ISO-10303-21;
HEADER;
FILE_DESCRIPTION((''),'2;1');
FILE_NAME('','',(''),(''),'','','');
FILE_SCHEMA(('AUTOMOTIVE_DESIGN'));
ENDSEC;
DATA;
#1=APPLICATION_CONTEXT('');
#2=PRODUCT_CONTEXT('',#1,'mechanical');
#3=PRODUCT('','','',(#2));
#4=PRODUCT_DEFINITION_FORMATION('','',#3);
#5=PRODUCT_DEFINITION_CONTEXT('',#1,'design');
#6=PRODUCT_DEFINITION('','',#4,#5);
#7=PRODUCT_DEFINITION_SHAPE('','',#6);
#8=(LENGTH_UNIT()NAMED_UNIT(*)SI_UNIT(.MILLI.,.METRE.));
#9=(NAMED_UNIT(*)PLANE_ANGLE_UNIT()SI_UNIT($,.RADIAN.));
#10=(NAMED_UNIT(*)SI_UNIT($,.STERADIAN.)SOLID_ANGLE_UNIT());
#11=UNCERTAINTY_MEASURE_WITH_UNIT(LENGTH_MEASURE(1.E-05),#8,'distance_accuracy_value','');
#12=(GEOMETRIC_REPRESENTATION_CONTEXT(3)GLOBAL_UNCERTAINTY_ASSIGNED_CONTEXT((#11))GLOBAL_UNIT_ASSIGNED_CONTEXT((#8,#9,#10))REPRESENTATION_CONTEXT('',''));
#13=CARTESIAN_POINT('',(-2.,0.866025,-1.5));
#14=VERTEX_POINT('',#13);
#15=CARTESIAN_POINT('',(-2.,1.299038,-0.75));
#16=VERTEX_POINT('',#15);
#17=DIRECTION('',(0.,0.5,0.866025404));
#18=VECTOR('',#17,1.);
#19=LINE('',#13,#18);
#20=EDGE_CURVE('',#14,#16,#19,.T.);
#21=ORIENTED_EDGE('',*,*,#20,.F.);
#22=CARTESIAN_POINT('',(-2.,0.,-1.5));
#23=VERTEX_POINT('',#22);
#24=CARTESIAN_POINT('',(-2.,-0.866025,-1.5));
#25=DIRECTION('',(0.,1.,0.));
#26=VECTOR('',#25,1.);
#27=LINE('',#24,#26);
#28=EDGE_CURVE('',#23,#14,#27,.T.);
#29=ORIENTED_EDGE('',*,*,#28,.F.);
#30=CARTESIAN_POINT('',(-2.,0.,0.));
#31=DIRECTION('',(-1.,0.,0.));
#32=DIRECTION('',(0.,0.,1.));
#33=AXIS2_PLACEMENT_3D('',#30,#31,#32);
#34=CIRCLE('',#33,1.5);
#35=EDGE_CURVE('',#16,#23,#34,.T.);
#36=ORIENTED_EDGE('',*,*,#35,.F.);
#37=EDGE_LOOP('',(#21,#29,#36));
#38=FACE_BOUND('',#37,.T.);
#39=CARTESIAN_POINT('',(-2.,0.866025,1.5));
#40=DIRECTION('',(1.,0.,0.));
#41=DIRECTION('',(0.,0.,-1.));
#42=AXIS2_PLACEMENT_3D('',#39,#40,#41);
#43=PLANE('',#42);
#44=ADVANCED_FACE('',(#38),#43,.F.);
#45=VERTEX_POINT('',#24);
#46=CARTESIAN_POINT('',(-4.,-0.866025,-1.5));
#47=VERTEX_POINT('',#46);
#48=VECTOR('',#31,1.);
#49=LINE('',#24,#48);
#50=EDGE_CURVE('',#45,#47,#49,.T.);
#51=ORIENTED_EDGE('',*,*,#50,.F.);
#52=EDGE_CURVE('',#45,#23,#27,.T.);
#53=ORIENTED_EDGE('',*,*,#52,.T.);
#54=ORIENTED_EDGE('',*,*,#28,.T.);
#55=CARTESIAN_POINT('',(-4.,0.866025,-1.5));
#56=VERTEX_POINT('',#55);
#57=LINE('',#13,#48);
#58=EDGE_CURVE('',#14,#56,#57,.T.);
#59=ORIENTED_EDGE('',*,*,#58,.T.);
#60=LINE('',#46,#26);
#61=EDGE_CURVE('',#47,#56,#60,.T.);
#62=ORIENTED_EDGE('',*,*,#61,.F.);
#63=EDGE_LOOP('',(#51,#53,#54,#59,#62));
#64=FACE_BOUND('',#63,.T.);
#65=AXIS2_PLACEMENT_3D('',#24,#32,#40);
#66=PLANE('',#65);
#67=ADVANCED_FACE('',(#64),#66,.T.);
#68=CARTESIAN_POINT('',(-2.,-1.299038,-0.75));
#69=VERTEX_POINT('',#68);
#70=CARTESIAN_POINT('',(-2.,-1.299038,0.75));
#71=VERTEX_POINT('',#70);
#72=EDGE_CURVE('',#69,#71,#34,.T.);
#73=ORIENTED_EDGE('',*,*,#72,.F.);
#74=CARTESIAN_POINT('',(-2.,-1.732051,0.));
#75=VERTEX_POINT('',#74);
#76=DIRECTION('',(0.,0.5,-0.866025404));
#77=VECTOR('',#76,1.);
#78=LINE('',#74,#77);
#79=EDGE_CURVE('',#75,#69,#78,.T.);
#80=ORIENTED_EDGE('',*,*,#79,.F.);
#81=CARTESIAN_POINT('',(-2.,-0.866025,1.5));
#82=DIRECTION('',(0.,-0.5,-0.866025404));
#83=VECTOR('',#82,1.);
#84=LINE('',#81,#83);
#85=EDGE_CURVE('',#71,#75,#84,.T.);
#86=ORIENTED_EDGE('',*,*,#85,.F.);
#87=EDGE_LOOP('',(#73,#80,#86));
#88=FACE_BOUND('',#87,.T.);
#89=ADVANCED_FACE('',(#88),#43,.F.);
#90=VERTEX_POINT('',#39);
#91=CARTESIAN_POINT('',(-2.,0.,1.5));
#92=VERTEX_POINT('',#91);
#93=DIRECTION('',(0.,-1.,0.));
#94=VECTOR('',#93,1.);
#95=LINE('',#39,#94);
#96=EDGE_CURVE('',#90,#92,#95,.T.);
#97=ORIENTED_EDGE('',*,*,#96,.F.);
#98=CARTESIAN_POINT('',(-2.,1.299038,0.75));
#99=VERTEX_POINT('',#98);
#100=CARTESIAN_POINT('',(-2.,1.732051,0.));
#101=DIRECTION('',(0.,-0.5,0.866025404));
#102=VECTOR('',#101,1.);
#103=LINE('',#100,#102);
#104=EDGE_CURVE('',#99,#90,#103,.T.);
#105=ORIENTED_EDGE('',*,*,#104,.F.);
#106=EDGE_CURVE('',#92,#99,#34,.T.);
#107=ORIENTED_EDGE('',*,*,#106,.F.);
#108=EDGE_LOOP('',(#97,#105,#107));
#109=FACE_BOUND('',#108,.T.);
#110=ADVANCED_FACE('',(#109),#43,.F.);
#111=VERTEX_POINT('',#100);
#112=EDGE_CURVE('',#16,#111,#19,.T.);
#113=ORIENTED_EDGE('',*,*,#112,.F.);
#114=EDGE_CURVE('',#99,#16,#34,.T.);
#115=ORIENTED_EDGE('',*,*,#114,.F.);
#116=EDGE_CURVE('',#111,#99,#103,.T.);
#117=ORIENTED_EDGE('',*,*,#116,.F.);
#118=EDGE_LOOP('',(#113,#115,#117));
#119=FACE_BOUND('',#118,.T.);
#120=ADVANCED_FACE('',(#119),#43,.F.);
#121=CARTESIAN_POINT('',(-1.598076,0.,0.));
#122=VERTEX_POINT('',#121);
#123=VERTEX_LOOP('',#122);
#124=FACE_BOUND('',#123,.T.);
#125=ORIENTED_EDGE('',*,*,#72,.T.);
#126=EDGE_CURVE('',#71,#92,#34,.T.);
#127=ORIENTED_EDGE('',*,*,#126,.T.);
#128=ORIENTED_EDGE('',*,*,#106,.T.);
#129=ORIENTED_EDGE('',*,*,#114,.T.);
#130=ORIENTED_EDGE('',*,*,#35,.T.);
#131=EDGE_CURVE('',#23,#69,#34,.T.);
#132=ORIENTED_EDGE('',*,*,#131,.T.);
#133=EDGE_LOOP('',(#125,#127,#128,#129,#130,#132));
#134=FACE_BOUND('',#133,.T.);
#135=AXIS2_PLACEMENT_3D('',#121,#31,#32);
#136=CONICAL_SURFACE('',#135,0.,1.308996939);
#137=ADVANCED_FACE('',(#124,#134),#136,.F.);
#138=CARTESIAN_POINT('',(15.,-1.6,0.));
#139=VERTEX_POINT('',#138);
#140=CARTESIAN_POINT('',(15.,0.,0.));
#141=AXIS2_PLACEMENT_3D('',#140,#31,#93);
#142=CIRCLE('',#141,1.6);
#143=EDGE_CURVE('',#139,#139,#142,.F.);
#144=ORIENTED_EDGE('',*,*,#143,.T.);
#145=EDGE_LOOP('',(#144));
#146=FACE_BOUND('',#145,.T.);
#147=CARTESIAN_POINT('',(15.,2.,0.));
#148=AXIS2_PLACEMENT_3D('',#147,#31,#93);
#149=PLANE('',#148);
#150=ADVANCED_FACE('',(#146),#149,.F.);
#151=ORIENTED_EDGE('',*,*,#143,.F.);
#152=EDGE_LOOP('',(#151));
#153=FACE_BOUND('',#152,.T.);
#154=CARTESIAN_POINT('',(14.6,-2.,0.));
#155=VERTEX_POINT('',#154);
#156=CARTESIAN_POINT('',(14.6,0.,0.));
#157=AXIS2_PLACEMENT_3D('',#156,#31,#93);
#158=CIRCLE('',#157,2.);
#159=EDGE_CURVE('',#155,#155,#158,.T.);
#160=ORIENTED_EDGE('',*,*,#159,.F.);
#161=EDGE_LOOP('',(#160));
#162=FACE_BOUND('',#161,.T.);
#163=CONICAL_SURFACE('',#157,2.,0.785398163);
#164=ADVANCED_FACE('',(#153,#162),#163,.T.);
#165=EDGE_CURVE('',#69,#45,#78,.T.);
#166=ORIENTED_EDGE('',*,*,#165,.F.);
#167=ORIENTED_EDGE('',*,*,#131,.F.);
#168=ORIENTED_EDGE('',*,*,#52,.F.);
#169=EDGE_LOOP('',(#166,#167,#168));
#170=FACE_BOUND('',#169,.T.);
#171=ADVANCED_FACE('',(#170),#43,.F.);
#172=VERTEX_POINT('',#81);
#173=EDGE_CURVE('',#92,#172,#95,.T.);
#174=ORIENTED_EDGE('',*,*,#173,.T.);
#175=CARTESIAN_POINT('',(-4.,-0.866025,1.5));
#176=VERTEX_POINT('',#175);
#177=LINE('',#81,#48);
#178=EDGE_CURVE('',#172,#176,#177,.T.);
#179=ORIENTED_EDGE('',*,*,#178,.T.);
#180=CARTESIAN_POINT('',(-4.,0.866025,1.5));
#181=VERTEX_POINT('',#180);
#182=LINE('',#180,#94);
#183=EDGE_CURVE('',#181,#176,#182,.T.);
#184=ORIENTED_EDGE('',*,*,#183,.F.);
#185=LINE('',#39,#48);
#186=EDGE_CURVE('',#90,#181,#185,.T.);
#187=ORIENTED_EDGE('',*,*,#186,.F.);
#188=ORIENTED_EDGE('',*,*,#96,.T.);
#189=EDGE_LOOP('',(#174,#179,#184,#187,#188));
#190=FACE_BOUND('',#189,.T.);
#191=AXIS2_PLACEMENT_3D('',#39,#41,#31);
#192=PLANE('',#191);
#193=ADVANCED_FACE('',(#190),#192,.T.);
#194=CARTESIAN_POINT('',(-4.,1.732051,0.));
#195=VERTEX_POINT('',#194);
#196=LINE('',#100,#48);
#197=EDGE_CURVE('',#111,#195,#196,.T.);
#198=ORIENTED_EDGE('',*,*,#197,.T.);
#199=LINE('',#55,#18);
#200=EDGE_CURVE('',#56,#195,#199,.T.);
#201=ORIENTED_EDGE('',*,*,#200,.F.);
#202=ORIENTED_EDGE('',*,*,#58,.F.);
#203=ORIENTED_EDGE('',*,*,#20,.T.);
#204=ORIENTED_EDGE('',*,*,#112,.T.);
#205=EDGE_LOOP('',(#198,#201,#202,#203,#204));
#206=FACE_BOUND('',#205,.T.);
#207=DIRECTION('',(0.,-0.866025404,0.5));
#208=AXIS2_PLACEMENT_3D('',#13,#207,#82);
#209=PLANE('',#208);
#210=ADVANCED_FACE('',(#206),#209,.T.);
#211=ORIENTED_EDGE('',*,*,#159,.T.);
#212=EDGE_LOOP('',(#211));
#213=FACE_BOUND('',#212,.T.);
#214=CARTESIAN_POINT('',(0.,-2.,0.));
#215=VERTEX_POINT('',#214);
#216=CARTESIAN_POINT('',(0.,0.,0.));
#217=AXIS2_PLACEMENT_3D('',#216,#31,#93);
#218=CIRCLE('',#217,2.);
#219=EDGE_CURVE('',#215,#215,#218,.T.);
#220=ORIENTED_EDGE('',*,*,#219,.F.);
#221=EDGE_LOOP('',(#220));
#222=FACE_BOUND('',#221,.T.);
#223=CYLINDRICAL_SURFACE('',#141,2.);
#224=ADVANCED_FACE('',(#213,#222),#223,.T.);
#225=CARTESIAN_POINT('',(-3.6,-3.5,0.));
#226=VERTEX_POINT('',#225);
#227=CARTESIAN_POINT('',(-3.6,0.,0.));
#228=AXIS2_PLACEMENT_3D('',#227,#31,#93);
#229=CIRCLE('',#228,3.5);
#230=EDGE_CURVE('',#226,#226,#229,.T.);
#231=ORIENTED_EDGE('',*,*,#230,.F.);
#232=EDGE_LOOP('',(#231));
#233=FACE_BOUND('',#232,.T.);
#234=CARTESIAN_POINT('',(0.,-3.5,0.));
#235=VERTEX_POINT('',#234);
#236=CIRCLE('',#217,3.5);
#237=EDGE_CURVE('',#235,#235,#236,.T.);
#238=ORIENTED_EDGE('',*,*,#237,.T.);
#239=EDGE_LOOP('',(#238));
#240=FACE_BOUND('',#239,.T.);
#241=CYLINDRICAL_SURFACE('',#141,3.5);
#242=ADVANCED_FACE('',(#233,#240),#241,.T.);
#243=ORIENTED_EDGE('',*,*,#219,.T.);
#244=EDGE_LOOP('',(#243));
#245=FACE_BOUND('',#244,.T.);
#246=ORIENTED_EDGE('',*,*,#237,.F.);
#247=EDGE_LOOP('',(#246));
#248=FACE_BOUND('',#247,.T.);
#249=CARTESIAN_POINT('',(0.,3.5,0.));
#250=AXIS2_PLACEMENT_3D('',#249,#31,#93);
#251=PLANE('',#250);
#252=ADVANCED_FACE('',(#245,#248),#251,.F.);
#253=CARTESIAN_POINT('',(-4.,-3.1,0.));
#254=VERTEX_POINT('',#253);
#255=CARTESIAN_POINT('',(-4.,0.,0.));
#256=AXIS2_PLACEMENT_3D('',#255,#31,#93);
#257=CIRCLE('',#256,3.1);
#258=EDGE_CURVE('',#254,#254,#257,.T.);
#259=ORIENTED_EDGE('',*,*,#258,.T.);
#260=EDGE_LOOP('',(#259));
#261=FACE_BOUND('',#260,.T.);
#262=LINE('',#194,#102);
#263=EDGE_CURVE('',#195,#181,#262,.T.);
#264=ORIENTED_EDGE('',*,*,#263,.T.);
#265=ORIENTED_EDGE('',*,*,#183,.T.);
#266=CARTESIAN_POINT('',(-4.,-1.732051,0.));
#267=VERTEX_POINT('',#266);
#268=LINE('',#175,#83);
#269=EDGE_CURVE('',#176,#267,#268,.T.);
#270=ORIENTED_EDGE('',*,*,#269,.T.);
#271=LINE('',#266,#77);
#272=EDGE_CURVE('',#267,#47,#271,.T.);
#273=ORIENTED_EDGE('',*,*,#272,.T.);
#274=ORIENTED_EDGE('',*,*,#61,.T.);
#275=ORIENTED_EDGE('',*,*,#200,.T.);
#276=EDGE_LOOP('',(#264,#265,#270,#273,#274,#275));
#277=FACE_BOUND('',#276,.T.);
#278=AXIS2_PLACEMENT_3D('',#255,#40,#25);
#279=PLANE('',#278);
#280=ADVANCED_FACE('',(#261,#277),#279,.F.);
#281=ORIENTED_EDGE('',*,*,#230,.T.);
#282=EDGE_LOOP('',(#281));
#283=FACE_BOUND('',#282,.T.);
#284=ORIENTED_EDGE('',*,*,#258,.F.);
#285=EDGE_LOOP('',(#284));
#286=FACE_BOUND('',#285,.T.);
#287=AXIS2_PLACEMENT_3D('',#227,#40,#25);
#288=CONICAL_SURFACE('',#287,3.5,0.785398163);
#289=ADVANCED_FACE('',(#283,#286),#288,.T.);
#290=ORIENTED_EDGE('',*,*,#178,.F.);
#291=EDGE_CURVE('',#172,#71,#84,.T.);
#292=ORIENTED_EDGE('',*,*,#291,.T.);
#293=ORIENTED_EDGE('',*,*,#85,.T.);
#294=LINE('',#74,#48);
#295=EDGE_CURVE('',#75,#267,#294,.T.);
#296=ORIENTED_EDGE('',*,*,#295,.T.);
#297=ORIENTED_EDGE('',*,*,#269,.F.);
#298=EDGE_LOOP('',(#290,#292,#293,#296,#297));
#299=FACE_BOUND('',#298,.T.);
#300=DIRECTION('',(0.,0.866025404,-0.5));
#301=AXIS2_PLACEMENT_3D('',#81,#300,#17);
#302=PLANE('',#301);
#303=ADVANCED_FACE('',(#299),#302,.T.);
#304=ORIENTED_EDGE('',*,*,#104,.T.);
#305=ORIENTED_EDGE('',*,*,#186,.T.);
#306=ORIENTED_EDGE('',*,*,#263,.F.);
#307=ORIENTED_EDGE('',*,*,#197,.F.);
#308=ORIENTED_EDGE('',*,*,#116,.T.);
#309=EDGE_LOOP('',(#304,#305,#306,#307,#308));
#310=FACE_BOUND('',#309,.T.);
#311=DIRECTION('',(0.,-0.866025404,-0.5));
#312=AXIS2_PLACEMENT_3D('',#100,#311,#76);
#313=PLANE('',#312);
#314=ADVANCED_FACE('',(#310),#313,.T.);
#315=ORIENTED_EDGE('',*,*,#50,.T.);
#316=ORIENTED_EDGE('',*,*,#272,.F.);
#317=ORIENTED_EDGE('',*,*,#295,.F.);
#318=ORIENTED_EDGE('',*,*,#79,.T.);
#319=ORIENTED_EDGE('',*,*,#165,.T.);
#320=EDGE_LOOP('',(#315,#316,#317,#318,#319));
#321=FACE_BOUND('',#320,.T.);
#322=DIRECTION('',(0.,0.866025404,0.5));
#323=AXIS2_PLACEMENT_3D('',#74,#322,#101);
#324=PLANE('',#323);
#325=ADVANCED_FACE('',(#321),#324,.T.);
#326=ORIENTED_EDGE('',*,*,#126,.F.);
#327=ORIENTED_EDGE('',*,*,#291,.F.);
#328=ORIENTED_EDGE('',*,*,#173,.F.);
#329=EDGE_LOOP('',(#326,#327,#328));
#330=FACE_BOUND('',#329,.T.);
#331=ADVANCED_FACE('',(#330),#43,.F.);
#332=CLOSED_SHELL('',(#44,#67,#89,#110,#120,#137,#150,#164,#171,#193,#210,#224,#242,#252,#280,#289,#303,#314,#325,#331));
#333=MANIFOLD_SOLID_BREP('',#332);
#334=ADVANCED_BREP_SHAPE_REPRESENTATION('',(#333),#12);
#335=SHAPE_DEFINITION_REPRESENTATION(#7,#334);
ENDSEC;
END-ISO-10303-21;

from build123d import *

# Parameters (mm, degrees)
CHAMFER1_SIZE      = 0.4
CUT_EXTRUDE1_DEPTH = 2


with BuildPart() as part:
    # Sketch1 → Revolve1 (revolve)
    with BuildSketch(Plane.XY, mode=Mode.PRIVATE) as revolve1_sk:
        Polygon((-4, 0), (-4, 3.1), (-3.6, 3.5), (0, 3.5), (0, 2), (15, 2), (15, 0), align=None)
    revolve(revolve1_sk.sketch.rotate(Axis((15, 0, 0), (-1, 0, 0)), 180), axis=Axis((15, 0, 0), (-1, 0, 0)))

    # Chamfer1
    chamfer1_edges = [part.edges().sort_by_distance(p)[0] for p in [
        (15, 2, 0),
    ]]
    chamfer(chamfer1_edges, length=CHAMFER1_SIZE)

    # Sketch2 → Cut-Revolve1 (revolve, cut)
    with BuildSketch(Plane.XY, mode=Mode.PRIVATE) as cut_revolve1_sk:
        Polygon((-4, 0), (-4, 1.5), (-2, 1.5), (-1.598076211, 0), align=None)
    revolve(cut_revolve1_sk.sketch.rotate(Axis((-1.598076211, 0, 0), (-1, 0, 0)), 270), axis=Axis((-1.598076211, 0, 0), (-1, 0, 0)), mode=Mode.SUBTRACT)

    # Sketch3 → Cut-Extrude1 (cut)
    with BuildSketch(Plane(origin=(-4, 0, 0), x_dir=(0, 0, -1), z_dir=(1, 0, 0))):
        Polygon((-1.5, 0.866025404), (-1.5, -0.866025404), (0, -1.732050808), (1.5, -0.866025404), (1.5, 0.866025404), (0, 1.732050808), align=None)
    extrude(amount=CUT_EXTRUDE1_DEPTH, mode=Mode.SUBTRACT)


solid = part.part
